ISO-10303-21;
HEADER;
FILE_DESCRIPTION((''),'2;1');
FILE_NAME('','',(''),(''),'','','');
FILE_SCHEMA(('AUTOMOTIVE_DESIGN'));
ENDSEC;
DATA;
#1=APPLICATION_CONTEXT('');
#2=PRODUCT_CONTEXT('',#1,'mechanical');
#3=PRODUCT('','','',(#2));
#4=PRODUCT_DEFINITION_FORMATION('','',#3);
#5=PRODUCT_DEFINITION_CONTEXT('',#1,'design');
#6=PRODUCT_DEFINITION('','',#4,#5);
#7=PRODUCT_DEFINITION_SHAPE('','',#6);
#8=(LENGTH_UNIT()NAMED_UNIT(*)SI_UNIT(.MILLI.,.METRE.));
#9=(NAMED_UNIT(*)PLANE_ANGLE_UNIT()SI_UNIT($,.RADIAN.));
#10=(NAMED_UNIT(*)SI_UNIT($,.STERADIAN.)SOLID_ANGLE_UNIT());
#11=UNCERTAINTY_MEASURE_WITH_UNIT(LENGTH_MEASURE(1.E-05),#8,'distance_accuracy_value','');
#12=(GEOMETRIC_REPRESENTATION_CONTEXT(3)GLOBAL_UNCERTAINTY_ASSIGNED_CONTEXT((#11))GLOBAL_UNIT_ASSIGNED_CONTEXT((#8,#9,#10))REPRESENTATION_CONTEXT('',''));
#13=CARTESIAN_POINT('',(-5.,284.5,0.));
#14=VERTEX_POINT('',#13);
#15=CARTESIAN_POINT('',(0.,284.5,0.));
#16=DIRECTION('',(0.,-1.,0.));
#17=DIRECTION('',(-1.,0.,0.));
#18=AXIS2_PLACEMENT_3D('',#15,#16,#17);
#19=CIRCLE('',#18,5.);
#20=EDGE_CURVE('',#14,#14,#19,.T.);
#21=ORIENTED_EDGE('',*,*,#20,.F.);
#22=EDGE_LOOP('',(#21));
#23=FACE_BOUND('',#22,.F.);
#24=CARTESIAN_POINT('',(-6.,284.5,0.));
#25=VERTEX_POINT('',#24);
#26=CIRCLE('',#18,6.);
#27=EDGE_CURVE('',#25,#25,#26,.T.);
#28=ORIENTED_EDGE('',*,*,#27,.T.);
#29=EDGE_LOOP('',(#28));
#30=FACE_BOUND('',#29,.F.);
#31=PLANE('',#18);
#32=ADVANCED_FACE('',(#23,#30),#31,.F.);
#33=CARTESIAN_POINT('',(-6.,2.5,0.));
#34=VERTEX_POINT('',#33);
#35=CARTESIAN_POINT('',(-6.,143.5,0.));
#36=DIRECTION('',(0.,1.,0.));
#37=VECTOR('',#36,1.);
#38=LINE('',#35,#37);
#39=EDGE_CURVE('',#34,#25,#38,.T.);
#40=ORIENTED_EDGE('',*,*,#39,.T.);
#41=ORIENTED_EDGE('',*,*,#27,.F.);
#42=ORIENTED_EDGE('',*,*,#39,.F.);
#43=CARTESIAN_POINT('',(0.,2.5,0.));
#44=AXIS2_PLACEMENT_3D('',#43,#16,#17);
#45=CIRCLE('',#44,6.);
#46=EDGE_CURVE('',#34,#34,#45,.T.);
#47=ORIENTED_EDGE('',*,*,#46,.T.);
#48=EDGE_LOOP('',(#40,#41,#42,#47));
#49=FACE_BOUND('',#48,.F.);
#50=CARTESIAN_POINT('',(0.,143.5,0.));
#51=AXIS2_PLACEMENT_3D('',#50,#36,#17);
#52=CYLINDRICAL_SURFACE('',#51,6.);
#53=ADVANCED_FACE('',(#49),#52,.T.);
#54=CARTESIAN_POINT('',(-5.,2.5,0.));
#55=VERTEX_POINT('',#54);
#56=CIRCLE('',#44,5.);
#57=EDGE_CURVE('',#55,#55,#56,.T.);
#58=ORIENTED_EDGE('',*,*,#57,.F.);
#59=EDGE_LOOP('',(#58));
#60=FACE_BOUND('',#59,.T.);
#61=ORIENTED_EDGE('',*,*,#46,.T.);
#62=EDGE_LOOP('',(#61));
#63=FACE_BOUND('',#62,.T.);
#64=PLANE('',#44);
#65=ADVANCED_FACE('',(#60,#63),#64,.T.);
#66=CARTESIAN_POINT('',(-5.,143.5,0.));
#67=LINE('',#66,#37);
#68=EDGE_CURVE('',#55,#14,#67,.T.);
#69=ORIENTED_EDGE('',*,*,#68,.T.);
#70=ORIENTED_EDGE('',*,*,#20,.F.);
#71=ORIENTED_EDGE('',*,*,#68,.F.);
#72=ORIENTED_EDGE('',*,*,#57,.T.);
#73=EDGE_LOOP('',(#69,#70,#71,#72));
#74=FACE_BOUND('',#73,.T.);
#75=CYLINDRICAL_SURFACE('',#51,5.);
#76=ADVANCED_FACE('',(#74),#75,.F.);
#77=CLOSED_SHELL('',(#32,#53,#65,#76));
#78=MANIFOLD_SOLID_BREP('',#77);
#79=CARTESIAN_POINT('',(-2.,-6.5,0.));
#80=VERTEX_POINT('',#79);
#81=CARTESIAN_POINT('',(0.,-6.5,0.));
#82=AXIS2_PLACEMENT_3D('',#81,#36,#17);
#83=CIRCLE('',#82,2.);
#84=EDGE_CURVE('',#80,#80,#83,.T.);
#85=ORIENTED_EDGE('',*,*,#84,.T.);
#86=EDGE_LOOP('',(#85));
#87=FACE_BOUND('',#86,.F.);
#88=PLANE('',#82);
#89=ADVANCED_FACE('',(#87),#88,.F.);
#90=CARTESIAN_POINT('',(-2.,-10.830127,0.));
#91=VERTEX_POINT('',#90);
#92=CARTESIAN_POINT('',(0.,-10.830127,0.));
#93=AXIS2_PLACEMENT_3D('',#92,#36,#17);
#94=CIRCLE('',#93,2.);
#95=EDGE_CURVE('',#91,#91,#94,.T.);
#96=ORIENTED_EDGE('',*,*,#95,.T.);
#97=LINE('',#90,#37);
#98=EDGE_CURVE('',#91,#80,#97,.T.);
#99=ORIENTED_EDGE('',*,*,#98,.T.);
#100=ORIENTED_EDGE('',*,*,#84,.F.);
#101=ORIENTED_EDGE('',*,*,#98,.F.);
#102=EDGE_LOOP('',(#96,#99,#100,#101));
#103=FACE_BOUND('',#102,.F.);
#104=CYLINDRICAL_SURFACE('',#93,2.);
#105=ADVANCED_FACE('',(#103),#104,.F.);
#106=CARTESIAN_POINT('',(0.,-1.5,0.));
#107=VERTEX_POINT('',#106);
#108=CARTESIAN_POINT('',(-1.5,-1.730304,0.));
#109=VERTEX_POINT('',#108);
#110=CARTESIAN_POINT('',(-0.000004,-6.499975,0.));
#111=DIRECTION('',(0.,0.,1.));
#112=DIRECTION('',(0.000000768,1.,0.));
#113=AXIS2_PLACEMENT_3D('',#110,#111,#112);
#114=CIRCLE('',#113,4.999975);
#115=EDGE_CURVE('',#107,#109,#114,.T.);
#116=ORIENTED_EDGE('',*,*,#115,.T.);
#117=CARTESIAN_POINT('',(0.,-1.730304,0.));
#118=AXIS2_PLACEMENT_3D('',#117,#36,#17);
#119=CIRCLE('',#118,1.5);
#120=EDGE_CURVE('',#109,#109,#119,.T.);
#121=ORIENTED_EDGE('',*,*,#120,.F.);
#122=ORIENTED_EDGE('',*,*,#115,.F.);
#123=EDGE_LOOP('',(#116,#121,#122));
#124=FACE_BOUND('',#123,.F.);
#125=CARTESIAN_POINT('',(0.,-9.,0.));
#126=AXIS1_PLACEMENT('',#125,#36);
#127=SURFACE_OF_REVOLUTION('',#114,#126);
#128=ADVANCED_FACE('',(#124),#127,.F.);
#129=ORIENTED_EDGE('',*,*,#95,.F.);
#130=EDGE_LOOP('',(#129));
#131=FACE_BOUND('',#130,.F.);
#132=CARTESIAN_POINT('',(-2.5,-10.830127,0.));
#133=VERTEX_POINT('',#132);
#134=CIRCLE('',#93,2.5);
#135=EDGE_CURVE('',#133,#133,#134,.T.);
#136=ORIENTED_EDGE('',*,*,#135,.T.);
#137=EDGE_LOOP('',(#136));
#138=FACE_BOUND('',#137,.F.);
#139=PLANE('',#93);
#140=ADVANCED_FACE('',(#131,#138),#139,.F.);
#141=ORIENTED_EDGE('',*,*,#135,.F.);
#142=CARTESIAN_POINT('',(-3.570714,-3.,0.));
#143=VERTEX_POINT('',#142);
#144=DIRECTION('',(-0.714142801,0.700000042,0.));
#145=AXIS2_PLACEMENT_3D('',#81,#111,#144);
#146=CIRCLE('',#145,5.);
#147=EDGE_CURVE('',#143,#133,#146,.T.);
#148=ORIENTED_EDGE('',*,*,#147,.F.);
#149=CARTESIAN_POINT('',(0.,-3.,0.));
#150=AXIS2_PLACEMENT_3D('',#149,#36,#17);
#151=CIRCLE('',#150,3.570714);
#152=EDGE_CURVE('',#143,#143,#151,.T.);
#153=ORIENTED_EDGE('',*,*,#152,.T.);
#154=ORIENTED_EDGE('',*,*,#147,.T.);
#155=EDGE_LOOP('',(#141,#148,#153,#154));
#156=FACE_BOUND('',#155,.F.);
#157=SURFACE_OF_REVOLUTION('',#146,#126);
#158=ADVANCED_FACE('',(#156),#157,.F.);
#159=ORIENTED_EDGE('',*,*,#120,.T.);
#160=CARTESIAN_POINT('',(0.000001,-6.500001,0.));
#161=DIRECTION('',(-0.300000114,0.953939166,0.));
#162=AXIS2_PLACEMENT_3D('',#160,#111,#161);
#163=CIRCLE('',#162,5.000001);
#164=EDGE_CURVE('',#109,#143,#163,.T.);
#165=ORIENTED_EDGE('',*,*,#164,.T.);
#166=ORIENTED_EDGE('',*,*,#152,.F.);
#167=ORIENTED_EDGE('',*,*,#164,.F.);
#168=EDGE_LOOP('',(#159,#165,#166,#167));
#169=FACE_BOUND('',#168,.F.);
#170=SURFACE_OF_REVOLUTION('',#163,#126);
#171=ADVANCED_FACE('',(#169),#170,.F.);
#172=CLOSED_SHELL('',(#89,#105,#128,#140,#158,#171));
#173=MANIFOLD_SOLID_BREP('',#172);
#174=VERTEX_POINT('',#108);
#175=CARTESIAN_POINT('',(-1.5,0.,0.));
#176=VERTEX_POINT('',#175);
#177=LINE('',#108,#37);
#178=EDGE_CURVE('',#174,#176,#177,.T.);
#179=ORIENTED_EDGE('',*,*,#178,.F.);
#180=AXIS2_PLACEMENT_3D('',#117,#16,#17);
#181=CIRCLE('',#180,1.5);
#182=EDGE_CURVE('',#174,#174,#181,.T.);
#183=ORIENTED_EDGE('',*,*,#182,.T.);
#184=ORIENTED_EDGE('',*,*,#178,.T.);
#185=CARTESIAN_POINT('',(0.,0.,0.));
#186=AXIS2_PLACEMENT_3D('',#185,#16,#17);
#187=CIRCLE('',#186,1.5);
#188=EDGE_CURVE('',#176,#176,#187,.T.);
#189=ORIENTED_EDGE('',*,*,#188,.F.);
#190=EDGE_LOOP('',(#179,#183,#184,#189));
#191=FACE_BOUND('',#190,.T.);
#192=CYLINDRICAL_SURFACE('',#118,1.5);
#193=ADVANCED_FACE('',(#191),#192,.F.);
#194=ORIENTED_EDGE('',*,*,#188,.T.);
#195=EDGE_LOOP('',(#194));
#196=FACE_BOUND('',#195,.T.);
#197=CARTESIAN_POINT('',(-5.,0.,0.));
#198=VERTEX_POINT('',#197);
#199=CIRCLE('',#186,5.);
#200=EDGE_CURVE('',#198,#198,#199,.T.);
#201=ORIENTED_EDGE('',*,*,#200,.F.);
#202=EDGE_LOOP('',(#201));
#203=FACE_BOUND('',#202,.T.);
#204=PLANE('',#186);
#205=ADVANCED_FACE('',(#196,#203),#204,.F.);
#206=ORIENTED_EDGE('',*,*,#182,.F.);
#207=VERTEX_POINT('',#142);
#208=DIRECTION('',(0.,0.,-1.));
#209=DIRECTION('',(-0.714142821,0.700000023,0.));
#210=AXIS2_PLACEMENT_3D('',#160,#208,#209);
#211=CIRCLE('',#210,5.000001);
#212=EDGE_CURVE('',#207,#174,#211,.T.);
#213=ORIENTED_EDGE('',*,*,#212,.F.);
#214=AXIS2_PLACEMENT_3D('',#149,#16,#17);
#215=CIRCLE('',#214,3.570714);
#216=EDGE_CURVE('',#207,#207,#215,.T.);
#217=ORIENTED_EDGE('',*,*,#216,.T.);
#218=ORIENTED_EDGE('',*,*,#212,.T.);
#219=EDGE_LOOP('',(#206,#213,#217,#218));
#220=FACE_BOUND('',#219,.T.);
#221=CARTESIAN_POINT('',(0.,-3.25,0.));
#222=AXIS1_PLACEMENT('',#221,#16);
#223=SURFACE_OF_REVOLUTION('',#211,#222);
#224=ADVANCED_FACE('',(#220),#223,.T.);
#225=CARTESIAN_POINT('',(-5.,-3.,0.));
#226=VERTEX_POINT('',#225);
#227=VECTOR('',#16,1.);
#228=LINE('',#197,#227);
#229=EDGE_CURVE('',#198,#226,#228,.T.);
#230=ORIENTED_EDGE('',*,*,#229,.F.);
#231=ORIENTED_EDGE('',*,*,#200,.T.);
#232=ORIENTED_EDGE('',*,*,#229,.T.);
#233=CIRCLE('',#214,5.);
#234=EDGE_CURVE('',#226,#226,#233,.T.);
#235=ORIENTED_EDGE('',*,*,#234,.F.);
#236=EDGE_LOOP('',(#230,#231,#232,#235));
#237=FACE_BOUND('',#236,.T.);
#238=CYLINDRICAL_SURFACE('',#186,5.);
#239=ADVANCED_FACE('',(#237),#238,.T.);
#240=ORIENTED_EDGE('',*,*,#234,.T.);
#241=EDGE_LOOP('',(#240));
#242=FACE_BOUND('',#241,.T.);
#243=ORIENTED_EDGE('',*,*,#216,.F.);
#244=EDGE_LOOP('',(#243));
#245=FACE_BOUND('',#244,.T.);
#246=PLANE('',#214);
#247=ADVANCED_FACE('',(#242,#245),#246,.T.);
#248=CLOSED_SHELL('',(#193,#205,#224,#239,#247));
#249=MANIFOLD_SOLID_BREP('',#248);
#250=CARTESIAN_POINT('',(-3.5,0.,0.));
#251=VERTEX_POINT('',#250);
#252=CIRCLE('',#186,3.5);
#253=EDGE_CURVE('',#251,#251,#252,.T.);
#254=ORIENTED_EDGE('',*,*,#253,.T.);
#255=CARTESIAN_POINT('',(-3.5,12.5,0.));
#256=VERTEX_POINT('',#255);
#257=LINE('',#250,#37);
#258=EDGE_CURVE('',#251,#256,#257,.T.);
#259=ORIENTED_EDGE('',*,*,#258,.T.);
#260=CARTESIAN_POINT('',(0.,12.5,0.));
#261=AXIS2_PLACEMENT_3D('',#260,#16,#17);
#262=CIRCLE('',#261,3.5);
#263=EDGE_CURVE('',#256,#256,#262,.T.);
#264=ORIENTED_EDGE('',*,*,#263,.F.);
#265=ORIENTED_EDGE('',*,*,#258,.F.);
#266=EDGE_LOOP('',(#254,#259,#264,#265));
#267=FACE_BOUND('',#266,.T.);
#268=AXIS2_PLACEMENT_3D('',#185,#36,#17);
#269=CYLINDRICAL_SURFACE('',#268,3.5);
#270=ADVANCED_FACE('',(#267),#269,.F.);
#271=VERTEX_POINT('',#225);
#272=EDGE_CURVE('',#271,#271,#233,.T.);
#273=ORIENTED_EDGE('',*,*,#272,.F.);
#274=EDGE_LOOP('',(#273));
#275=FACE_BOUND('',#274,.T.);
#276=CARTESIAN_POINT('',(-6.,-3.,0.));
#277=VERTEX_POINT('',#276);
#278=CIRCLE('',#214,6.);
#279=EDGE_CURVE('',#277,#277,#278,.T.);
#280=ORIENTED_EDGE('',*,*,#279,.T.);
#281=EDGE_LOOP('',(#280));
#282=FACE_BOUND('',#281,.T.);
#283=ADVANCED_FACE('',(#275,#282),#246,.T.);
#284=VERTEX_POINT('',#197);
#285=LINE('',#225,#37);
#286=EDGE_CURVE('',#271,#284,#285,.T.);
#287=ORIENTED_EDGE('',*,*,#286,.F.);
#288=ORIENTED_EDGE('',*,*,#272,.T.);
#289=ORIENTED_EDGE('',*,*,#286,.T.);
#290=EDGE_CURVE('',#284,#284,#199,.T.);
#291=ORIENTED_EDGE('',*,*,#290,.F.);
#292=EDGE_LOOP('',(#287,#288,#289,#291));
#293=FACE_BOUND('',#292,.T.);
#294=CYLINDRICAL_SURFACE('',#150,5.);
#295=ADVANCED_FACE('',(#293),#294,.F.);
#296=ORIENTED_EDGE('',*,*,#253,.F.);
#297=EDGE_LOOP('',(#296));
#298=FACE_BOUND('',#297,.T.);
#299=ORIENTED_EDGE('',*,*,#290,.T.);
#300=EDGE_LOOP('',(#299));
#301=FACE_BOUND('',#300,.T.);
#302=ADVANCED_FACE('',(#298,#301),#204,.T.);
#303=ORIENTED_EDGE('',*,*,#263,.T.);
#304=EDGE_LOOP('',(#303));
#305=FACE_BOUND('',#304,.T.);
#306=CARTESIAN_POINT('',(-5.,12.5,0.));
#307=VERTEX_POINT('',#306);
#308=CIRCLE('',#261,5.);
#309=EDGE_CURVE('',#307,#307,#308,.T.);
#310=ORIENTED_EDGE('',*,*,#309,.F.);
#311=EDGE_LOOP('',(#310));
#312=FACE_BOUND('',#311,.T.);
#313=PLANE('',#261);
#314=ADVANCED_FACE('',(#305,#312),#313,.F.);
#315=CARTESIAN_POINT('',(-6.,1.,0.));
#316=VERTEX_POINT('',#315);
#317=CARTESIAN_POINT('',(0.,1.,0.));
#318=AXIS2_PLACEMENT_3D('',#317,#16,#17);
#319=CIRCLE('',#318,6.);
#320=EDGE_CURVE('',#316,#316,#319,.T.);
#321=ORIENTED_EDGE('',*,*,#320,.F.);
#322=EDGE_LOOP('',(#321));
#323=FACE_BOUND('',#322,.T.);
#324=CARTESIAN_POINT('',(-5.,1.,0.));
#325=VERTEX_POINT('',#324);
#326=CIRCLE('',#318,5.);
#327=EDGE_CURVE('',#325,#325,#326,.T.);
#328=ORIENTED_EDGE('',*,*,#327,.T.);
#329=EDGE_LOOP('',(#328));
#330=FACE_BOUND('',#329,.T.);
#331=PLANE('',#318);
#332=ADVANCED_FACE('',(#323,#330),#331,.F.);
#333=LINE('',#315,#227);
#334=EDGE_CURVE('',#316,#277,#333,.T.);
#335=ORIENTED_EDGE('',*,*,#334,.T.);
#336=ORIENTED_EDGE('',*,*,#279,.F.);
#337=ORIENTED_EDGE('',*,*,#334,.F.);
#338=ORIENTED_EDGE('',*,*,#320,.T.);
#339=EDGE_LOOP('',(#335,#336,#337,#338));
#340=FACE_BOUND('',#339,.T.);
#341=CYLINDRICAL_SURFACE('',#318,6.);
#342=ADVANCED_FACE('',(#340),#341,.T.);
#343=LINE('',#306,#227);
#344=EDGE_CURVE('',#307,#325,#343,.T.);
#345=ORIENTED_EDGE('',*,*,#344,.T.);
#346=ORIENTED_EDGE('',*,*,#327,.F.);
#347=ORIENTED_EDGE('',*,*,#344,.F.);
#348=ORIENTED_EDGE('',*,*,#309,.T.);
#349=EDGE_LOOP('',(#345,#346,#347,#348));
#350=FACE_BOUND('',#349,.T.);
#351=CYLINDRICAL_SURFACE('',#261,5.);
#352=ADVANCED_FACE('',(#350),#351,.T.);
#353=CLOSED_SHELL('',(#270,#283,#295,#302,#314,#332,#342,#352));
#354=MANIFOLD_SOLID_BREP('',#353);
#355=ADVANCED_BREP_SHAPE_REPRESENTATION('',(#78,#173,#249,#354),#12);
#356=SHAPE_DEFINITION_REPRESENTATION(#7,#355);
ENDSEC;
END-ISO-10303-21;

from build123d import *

# Parameters (mm, degrees)
F2_W = 1
F2_H = 282


with BuildPart() as f1:
    # F0 (on Top) → F1 (revolve)
    with BuildSketch(Plane.XY):
        with BuildLine():
            ThreePointArc((-3.570714, -3), (-2.613631, -2.237497), (-1.5, -1.730304))
            Line((-1.5, -1.730304), (-1.5, 0))
            Line((-1.5, 0), (-5, 0))
            Line((-5, 0), (-5, -3))
            Line((-5, -3), (-3.570714, -3))
        make_face()
    revolve(axis=Axis((0, -3.25, 0), (0, -1, 0)))


with BuildPart() as f3:
    # F2 (on Top) → F3 (revolve)
    with BuildSketch(Plane.XY):
        with Locations((-5.5, 143.5)):
            Rectangle(F2_W, F2_H)
    revolve(axis=Axis((0, -3.25, 0), (0, -1, 0)))


with BuildPart() as f5:
    # F4 (on Top) → F5 (revolve)
    with BuildSketch(Plane.XY):
        Polygon((-5, 1), (-6, 1), (-6, -3), (-5, -3), (-5, 0), (-3.5, 0), (-3.5, 12.5), (-5, 12.5), (-5, 2.5), align=None)
    revolve(axis=Axis((0, -3.25, 0), (0, -1, 0)))


with BuildPart() as f6:
    # F0 (on Top) → F6 (revolve)
    with BuildSketch(Plane.XY):
        with BuildLine():
            Line((0, -6.5), (0, -1.5))
            ThreePointArc((0, -1.5), (-0.758788, -1.557911), (-1.5, -1.730304))
            ThreePointArc((-1.5, -1.730304), (-2.613631, -2.237497), (-3.570714, -3))
            ThreePointArc((-3.570714, -3), (-4.953899, -7.17741), (-2.5, -10.830127))
            Line((-2.5, -10.830127), (-2, -10.830127))
            Line((-2, -10.830127), (-2, -6.5))
            Line((-2, -6.5), (0, -6.5))
        make_face()
    revolve(axis=Axis((0, -9, 0), (0, 1, 0)))


solid = Compound([f1.part, f3.part, f5.part, f6.part])
